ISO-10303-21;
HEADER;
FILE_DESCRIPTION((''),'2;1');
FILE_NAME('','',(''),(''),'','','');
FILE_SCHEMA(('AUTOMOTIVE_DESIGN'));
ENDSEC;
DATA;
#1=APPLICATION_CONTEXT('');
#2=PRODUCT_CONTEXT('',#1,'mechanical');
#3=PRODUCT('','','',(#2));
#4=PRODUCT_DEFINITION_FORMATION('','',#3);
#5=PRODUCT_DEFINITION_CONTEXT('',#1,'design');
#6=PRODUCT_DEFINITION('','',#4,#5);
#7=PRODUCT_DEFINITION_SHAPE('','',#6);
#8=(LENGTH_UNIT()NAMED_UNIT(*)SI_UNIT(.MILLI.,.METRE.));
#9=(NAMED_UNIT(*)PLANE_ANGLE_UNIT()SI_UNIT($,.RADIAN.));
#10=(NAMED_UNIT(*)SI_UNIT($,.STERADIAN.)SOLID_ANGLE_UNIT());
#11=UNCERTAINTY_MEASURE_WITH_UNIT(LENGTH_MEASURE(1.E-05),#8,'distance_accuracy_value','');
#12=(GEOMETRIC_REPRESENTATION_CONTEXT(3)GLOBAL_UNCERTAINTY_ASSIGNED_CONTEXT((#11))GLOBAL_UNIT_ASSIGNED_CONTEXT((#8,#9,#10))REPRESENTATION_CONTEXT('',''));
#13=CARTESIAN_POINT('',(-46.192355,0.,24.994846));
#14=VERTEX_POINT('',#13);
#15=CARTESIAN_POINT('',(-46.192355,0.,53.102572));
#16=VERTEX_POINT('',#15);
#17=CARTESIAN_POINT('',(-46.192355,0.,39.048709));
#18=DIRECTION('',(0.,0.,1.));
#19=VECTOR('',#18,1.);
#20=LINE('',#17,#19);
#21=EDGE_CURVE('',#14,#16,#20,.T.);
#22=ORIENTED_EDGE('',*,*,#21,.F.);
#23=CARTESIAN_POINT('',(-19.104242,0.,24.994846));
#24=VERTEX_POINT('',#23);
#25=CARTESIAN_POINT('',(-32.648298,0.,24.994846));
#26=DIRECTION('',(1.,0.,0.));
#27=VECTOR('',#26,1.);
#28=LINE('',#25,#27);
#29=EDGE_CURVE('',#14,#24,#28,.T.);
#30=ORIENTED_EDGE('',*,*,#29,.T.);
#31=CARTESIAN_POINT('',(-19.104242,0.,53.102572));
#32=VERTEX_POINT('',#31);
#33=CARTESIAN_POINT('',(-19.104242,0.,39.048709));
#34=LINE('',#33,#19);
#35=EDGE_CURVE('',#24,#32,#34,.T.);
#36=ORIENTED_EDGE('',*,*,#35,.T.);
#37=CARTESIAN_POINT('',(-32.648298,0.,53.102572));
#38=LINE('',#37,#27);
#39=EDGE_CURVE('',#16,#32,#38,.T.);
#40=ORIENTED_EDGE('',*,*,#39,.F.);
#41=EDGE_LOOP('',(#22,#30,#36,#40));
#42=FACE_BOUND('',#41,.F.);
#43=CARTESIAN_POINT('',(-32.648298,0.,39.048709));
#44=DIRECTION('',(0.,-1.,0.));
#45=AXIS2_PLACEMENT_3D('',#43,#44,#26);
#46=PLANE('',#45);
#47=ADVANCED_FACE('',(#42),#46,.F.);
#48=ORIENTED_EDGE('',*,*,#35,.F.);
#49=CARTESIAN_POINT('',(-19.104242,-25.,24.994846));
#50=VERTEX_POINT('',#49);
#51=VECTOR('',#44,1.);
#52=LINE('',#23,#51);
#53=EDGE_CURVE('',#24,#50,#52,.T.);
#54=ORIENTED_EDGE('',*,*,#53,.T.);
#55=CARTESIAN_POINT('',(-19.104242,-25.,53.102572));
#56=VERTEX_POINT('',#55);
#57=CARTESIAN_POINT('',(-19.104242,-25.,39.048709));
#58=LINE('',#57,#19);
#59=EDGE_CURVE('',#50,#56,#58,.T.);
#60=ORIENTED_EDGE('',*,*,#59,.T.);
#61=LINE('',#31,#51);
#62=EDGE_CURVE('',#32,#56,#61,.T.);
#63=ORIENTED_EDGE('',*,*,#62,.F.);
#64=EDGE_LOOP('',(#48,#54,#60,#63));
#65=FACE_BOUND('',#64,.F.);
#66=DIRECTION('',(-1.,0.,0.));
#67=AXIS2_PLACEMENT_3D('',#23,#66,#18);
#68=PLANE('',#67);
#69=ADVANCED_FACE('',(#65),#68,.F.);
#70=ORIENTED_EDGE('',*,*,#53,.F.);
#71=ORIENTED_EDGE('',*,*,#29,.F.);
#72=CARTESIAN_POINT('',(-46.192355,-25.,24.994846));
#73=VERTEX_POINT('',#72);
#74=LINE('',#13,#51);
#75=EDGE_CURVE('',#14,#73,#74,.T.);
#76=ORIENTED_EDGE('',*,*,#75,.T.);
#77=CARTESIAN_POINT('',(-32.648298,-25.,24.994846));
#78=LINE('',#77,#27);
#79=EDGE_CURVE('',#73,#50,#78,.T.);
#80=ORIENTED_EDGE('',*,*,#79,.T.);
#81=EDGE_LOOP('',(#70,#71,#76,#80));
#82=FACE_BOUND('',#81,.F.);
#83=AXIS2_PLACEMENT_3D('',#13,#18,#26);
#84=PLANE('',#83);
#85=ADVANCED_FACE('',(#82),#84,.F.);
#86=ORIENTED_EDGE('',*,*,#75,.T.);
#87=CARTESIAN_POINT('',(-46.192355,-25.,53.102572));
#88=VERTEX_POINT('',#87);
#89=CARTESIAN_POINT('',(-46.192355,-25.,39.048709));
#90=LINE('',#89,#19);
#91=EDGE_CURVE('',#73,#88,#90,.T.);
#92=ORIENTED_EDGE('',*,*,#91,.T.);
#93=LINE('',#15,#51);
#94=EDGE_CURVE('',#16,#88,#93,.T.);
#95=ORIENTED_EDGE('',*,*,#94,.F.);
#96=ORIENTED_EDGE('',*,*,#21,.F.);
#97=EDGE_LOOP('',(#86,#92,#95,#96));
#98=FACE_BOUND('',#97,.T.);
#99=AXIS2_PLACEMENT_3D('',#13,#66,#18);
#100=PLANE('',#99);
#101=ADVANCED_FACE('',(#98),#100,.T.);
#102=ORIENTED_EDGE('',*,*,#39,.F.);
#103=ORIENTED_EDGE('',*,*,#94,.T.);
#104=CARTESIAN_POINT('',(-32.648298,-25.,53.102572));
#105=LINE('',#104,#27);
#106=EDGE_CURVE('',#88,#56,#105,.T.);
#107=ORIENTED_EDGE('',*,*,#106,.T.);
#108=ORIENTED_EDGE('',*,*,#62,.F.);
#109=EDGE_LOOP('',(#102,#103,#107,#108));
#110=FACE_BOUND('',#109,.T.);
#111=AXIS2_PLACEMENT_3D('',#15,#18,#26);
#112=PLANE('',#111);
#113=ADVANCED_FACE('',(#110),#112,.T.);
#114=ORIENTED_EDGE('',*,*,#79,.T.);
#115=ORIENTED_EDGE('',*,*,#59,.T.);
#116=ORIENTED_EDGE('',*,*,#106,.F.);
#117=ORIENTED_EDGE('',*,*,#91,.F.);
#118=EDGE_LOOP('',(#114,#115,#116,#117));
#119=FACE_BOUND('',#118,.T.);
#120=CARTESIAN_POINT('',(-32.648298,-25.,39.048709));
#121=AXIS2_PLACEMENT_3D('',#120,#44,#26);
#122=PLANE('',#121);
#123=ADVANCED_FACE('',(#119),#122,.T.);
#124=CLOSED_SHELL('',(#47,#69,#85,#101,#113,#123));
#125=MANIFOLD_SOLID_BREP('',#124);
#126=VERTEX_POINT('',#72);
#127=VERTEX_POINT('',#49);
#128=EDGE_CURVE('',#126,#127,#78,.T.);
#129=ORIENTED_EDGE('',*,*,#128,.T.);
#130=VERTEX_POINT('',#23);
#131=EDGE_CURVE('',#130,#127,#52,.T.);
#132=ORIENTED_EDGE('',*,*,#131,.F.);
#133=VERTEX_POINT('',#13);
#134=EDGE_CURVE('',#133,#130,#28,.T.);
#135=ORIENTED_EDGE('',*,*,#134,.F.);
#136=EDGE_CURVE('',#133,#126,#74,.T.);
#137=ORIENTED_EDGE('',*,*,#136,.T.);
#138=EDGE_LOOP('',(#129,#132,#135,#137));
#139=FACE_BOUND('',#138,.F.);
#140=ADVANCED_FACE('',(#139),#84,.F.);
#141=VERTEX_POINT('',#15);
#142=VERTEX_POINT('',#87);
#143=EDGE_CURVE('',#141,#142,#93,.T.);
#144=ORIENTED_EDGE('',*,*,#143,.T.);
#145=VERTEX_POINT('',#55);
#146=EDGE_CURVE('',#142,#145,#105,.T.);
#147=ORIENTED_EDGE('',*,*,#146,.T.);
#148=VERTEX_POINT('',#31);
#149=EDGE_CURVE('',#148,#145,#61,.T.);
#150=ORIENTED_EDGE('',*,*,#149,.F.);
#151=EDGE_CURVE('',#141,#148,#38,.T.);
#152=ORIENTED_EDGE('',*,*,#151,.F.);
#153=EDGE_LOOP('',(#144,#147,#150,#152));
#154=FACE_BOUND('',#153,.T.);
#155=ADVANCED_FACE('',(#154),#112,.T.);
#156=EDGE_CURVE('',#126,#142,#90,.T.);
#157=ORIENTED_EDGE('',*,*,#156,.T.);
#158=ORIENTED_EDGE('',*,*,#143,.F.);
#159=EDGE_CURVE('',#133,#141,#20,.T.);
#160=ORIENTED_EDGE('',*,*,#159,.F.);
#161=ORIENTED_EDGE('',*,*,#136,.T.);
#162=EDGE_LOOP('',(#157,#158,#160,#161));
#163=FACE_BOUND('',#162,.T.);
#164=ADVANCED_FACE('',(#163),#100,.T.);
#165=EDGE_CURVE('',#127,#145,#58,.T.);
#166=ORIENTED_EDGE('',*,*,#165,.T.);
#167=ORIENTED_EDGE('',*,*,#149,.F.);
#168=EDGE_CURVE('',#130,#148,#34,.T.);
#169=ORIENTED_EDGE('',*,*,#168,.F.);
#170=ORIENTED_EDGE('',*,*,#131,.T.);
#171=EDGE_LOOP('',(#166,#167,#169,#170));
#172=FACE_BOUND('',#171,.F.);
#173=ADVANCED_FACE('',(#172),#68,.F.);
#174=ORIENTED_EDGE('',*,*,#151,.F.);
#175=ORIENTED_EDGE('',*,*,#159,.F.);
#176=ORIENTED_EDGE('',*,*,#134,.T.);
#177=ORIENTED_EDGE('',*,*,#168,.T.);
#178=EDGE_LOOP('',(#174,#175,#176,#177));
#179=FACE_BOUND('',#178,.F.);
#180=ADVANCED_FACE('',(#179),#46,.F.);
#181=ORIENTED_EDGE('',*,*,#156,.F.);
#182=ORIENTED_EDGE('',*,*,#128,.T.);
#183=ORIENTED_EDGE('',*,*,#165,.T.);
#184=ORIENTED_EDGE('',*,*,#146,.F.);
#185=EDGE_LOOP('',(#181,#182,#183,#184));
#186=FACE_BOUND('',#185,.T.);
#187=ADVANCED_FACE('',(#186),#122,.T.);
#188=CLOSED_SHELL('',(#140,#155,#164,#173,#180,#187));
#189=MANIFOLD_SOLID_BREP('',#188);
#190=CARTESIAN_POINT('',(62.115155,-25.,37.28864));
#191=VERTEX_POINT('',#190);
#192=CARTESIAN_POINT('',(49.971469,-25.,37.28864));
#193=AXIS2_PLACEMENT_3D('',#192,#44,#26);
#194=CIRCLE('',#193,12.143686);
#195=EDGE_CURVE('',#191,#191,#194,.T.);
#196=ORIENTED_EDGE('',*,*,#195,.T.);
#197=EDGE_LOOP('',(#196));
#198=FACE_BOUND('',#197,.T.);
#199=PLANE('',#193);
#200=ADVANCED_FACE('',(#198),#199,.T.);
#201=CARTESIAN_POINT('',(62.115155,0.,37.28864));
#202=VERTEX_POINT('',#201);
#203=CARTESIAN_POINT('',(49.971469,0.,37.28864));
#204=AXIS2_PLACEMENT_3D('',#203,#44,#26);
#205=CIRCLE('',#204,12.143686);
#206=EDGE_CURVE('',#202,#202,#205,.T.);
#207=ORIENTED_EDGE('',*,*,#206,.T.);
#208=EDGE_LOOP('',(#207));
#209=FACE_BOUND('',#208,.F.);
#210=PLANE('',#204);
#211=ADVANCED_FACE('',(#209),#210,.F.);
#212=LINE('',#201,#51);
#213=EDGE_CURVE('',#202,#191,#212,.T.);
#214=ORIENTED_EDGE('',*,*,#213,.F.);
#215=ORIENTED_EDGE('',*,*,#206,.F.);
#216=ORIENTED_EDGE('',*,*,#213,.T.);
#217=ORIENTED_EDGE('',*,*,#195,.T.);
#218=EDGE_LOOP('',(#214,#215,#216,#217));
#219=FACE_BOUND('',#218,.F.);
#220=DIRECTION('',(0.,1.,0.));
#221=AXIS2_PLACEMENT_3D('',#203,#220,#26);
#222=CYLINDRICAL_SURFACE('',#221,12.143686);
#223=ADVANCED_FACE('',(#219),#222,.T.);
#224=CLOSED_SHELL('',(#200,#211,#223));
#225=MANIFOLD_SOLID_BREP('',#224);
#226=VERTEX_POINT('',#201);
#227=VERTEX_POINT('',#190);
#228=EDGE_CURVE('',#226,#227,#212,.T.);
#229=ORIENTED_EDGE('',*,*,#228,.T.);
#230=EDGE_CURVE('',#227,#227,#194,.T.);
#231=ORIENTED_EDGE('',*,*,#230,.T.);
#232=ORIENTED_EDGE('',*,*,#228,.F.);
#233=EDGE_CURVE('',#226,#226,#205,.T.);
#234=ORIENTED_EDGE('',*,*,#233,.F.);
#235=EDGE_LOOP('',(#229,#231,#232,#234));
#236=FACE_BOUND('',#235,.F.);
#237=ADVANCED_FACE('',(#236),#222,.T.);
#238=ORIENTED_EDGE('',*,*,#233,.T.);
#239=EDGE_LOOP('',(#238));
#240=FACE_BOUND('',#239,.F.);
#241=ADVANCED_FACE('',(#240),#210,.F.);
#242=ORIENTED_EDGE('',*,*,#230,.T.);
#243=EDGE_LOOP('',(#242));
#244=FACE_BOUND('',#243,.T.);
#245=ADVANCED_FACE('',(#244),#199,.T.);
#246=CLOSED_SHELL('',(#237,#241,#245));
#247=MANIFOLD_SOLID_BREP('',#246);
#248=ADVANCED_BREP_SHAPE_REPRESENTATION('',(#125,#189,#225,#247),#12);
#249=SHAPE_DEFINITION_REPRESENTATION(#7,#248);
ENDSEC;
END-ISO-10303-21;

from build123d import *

# Parameters (mm, degrees)
F0_W     = 27.088113
F0_H     = 28.107726
F0_R     = 12.143686
F1_DEPTH = 25
F2_DEPTH = 25


with BuildPart() as f1:
    # F0 (on Front) → F1 (new body)
    with BuildSketch(Plane.XZ):
        with Locations((-32.648298, 39.048709)):
            Rectangle(F0_W, F0_H)
        with Locations((49.971469, 37.28864)):
            Circle(F0_R)
    extrude(amount=F1_DEPTH)


with BuildPart() as f2:
    # F0 (on Front) → F2 (new body)
    with BuildSketch(Plane.XZ):
        with Locations((-32.648298, 39.048709)):
            Rectangle(F0_W, F0_H)
        with Locations((49.971469, 37.28864)):
            Circle(F0_R)
    extrude(amount=F2_DEPTH)


solid = Compound([f1.part, f2.part])
